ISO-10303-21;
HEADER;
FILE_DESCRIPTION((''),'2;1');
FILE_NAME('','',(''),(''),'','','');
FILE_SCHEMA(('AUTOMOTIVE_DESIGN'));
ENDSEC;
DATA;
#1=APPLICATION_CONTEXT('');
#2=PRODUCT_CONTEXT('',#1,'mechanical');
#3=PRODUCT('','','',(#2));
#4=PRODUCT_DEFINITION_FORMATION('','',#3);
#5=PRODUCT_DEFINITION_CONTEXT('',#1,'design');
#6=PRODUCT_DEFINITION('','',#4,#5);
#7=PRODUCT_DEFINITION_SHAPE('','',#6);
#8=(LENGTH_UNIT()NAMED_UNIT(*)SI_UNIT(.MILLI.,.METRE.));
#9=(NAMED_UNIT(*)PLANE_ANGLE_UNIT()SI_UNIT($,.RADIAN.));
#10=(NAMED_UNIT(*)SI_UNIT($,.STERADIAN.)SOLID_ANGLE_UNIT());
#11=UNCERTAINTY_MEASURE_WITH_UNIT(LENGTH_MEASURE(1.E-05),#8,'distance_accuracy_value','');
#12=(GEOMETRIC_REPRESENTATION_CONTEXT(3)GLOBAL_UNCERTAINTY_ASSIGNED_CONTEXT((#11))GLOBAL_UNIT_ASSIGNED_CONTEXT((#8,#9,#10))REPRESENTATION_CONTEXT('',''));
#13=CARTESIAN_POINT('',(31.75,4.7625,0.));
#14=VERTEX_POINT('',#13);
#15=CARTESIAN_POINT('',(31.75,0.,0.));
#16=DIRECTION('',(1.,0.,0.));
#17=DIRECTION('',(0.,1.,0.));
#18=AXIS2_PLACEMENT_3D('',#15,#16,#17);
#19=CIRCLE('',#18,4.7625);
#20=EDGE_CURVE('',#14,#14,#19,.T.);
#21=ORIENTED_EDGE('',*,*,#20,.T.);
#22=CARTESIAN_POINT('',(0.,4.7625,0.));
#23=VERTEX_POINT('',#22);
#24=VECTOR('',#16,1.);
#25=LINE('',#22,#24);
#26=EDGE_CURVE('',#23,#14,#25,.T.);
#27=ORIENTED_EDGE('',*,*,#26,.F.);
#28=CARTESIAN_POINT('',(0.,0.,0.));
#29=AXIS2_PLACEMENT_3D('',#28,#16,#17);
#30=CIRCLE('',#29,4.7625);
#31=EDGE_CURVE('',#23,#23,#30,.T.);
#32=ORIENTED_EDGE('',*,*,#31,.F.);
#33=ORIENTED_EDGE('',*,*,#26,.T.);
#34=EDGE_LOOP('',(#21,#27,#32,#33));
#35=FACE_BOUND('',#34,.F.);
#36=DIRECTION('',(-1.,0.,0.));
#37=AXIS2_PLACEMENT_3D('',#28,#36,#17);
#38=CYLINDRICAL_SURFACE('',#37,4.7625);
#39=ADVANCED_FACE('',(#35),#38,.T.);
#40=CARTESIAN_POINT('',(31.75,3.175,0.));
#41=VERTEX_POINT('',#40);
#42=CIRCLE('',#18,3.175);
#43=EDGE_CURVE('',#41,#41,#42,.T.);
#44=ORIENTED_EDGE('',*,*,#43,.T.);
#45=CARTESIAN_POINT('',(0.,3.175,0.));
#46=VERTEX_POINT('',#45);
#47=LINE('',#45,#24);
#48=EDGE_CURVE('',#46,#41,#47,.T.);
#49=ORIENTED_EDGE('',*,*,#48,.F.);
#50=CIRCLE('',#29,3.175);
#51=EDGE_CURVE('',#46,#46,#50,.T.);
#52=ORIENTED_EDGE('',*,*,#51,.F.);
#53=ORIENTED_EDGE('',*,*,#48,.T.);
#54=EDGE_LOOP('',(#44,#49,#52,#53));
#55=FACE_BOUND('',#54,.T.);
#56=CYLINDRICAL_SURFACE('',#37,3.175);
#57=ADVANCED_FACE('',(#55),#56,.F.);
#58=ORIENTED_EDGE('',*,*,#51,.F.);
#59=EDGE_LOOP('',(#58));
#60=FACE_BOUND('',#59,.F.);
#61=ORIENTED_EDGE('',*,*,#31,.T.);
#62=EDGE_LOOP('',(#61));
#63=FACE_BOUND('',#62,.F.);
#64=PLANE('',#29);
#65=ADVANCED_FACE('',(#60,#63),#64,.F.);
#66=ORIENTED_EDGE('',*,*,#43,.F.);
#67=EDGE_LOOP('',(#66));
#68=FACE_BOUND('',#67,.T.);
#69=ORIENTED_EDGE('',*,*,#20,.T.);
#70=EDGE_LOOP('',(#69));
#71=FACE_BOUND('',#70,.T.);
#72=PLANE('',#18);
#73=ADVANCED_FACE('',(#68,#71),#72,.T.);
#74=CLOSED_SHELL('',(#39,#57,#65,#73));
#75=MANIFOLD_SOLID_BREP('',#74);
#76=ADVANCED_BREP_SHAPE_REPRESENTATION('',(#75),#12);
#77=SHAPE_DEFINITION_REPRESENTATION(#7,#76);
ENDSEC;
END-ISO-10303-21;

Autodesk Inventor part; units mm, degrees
ref_plane "YZ Plane" through (0, 0, 0) normal (1, 0, 0) x (0, 1, 0)
ref_plane "XZ Plane" through (0, 0, 0) normal (0, 1, 0) x (-1, 0, 0)
ref_plane "XY Plane" through (0, 0, 0) normal (0, 0, 1) x (1, 0, 0)
sketch "Sketch1" plane through (0, 0, 0) normal (1, 0, 0) x (0, 1, 0)
  circle A0 centre (0, 0) radius 3.175
  circle A1 centre (0, 0) radius 4.7625
  dimension "d0" = 6.35
  dimension "d1" = 9.525
extrude "Extrusion1" add sketch "Sketch1" along normal blind 31.75
properties part number "spacerslide"
